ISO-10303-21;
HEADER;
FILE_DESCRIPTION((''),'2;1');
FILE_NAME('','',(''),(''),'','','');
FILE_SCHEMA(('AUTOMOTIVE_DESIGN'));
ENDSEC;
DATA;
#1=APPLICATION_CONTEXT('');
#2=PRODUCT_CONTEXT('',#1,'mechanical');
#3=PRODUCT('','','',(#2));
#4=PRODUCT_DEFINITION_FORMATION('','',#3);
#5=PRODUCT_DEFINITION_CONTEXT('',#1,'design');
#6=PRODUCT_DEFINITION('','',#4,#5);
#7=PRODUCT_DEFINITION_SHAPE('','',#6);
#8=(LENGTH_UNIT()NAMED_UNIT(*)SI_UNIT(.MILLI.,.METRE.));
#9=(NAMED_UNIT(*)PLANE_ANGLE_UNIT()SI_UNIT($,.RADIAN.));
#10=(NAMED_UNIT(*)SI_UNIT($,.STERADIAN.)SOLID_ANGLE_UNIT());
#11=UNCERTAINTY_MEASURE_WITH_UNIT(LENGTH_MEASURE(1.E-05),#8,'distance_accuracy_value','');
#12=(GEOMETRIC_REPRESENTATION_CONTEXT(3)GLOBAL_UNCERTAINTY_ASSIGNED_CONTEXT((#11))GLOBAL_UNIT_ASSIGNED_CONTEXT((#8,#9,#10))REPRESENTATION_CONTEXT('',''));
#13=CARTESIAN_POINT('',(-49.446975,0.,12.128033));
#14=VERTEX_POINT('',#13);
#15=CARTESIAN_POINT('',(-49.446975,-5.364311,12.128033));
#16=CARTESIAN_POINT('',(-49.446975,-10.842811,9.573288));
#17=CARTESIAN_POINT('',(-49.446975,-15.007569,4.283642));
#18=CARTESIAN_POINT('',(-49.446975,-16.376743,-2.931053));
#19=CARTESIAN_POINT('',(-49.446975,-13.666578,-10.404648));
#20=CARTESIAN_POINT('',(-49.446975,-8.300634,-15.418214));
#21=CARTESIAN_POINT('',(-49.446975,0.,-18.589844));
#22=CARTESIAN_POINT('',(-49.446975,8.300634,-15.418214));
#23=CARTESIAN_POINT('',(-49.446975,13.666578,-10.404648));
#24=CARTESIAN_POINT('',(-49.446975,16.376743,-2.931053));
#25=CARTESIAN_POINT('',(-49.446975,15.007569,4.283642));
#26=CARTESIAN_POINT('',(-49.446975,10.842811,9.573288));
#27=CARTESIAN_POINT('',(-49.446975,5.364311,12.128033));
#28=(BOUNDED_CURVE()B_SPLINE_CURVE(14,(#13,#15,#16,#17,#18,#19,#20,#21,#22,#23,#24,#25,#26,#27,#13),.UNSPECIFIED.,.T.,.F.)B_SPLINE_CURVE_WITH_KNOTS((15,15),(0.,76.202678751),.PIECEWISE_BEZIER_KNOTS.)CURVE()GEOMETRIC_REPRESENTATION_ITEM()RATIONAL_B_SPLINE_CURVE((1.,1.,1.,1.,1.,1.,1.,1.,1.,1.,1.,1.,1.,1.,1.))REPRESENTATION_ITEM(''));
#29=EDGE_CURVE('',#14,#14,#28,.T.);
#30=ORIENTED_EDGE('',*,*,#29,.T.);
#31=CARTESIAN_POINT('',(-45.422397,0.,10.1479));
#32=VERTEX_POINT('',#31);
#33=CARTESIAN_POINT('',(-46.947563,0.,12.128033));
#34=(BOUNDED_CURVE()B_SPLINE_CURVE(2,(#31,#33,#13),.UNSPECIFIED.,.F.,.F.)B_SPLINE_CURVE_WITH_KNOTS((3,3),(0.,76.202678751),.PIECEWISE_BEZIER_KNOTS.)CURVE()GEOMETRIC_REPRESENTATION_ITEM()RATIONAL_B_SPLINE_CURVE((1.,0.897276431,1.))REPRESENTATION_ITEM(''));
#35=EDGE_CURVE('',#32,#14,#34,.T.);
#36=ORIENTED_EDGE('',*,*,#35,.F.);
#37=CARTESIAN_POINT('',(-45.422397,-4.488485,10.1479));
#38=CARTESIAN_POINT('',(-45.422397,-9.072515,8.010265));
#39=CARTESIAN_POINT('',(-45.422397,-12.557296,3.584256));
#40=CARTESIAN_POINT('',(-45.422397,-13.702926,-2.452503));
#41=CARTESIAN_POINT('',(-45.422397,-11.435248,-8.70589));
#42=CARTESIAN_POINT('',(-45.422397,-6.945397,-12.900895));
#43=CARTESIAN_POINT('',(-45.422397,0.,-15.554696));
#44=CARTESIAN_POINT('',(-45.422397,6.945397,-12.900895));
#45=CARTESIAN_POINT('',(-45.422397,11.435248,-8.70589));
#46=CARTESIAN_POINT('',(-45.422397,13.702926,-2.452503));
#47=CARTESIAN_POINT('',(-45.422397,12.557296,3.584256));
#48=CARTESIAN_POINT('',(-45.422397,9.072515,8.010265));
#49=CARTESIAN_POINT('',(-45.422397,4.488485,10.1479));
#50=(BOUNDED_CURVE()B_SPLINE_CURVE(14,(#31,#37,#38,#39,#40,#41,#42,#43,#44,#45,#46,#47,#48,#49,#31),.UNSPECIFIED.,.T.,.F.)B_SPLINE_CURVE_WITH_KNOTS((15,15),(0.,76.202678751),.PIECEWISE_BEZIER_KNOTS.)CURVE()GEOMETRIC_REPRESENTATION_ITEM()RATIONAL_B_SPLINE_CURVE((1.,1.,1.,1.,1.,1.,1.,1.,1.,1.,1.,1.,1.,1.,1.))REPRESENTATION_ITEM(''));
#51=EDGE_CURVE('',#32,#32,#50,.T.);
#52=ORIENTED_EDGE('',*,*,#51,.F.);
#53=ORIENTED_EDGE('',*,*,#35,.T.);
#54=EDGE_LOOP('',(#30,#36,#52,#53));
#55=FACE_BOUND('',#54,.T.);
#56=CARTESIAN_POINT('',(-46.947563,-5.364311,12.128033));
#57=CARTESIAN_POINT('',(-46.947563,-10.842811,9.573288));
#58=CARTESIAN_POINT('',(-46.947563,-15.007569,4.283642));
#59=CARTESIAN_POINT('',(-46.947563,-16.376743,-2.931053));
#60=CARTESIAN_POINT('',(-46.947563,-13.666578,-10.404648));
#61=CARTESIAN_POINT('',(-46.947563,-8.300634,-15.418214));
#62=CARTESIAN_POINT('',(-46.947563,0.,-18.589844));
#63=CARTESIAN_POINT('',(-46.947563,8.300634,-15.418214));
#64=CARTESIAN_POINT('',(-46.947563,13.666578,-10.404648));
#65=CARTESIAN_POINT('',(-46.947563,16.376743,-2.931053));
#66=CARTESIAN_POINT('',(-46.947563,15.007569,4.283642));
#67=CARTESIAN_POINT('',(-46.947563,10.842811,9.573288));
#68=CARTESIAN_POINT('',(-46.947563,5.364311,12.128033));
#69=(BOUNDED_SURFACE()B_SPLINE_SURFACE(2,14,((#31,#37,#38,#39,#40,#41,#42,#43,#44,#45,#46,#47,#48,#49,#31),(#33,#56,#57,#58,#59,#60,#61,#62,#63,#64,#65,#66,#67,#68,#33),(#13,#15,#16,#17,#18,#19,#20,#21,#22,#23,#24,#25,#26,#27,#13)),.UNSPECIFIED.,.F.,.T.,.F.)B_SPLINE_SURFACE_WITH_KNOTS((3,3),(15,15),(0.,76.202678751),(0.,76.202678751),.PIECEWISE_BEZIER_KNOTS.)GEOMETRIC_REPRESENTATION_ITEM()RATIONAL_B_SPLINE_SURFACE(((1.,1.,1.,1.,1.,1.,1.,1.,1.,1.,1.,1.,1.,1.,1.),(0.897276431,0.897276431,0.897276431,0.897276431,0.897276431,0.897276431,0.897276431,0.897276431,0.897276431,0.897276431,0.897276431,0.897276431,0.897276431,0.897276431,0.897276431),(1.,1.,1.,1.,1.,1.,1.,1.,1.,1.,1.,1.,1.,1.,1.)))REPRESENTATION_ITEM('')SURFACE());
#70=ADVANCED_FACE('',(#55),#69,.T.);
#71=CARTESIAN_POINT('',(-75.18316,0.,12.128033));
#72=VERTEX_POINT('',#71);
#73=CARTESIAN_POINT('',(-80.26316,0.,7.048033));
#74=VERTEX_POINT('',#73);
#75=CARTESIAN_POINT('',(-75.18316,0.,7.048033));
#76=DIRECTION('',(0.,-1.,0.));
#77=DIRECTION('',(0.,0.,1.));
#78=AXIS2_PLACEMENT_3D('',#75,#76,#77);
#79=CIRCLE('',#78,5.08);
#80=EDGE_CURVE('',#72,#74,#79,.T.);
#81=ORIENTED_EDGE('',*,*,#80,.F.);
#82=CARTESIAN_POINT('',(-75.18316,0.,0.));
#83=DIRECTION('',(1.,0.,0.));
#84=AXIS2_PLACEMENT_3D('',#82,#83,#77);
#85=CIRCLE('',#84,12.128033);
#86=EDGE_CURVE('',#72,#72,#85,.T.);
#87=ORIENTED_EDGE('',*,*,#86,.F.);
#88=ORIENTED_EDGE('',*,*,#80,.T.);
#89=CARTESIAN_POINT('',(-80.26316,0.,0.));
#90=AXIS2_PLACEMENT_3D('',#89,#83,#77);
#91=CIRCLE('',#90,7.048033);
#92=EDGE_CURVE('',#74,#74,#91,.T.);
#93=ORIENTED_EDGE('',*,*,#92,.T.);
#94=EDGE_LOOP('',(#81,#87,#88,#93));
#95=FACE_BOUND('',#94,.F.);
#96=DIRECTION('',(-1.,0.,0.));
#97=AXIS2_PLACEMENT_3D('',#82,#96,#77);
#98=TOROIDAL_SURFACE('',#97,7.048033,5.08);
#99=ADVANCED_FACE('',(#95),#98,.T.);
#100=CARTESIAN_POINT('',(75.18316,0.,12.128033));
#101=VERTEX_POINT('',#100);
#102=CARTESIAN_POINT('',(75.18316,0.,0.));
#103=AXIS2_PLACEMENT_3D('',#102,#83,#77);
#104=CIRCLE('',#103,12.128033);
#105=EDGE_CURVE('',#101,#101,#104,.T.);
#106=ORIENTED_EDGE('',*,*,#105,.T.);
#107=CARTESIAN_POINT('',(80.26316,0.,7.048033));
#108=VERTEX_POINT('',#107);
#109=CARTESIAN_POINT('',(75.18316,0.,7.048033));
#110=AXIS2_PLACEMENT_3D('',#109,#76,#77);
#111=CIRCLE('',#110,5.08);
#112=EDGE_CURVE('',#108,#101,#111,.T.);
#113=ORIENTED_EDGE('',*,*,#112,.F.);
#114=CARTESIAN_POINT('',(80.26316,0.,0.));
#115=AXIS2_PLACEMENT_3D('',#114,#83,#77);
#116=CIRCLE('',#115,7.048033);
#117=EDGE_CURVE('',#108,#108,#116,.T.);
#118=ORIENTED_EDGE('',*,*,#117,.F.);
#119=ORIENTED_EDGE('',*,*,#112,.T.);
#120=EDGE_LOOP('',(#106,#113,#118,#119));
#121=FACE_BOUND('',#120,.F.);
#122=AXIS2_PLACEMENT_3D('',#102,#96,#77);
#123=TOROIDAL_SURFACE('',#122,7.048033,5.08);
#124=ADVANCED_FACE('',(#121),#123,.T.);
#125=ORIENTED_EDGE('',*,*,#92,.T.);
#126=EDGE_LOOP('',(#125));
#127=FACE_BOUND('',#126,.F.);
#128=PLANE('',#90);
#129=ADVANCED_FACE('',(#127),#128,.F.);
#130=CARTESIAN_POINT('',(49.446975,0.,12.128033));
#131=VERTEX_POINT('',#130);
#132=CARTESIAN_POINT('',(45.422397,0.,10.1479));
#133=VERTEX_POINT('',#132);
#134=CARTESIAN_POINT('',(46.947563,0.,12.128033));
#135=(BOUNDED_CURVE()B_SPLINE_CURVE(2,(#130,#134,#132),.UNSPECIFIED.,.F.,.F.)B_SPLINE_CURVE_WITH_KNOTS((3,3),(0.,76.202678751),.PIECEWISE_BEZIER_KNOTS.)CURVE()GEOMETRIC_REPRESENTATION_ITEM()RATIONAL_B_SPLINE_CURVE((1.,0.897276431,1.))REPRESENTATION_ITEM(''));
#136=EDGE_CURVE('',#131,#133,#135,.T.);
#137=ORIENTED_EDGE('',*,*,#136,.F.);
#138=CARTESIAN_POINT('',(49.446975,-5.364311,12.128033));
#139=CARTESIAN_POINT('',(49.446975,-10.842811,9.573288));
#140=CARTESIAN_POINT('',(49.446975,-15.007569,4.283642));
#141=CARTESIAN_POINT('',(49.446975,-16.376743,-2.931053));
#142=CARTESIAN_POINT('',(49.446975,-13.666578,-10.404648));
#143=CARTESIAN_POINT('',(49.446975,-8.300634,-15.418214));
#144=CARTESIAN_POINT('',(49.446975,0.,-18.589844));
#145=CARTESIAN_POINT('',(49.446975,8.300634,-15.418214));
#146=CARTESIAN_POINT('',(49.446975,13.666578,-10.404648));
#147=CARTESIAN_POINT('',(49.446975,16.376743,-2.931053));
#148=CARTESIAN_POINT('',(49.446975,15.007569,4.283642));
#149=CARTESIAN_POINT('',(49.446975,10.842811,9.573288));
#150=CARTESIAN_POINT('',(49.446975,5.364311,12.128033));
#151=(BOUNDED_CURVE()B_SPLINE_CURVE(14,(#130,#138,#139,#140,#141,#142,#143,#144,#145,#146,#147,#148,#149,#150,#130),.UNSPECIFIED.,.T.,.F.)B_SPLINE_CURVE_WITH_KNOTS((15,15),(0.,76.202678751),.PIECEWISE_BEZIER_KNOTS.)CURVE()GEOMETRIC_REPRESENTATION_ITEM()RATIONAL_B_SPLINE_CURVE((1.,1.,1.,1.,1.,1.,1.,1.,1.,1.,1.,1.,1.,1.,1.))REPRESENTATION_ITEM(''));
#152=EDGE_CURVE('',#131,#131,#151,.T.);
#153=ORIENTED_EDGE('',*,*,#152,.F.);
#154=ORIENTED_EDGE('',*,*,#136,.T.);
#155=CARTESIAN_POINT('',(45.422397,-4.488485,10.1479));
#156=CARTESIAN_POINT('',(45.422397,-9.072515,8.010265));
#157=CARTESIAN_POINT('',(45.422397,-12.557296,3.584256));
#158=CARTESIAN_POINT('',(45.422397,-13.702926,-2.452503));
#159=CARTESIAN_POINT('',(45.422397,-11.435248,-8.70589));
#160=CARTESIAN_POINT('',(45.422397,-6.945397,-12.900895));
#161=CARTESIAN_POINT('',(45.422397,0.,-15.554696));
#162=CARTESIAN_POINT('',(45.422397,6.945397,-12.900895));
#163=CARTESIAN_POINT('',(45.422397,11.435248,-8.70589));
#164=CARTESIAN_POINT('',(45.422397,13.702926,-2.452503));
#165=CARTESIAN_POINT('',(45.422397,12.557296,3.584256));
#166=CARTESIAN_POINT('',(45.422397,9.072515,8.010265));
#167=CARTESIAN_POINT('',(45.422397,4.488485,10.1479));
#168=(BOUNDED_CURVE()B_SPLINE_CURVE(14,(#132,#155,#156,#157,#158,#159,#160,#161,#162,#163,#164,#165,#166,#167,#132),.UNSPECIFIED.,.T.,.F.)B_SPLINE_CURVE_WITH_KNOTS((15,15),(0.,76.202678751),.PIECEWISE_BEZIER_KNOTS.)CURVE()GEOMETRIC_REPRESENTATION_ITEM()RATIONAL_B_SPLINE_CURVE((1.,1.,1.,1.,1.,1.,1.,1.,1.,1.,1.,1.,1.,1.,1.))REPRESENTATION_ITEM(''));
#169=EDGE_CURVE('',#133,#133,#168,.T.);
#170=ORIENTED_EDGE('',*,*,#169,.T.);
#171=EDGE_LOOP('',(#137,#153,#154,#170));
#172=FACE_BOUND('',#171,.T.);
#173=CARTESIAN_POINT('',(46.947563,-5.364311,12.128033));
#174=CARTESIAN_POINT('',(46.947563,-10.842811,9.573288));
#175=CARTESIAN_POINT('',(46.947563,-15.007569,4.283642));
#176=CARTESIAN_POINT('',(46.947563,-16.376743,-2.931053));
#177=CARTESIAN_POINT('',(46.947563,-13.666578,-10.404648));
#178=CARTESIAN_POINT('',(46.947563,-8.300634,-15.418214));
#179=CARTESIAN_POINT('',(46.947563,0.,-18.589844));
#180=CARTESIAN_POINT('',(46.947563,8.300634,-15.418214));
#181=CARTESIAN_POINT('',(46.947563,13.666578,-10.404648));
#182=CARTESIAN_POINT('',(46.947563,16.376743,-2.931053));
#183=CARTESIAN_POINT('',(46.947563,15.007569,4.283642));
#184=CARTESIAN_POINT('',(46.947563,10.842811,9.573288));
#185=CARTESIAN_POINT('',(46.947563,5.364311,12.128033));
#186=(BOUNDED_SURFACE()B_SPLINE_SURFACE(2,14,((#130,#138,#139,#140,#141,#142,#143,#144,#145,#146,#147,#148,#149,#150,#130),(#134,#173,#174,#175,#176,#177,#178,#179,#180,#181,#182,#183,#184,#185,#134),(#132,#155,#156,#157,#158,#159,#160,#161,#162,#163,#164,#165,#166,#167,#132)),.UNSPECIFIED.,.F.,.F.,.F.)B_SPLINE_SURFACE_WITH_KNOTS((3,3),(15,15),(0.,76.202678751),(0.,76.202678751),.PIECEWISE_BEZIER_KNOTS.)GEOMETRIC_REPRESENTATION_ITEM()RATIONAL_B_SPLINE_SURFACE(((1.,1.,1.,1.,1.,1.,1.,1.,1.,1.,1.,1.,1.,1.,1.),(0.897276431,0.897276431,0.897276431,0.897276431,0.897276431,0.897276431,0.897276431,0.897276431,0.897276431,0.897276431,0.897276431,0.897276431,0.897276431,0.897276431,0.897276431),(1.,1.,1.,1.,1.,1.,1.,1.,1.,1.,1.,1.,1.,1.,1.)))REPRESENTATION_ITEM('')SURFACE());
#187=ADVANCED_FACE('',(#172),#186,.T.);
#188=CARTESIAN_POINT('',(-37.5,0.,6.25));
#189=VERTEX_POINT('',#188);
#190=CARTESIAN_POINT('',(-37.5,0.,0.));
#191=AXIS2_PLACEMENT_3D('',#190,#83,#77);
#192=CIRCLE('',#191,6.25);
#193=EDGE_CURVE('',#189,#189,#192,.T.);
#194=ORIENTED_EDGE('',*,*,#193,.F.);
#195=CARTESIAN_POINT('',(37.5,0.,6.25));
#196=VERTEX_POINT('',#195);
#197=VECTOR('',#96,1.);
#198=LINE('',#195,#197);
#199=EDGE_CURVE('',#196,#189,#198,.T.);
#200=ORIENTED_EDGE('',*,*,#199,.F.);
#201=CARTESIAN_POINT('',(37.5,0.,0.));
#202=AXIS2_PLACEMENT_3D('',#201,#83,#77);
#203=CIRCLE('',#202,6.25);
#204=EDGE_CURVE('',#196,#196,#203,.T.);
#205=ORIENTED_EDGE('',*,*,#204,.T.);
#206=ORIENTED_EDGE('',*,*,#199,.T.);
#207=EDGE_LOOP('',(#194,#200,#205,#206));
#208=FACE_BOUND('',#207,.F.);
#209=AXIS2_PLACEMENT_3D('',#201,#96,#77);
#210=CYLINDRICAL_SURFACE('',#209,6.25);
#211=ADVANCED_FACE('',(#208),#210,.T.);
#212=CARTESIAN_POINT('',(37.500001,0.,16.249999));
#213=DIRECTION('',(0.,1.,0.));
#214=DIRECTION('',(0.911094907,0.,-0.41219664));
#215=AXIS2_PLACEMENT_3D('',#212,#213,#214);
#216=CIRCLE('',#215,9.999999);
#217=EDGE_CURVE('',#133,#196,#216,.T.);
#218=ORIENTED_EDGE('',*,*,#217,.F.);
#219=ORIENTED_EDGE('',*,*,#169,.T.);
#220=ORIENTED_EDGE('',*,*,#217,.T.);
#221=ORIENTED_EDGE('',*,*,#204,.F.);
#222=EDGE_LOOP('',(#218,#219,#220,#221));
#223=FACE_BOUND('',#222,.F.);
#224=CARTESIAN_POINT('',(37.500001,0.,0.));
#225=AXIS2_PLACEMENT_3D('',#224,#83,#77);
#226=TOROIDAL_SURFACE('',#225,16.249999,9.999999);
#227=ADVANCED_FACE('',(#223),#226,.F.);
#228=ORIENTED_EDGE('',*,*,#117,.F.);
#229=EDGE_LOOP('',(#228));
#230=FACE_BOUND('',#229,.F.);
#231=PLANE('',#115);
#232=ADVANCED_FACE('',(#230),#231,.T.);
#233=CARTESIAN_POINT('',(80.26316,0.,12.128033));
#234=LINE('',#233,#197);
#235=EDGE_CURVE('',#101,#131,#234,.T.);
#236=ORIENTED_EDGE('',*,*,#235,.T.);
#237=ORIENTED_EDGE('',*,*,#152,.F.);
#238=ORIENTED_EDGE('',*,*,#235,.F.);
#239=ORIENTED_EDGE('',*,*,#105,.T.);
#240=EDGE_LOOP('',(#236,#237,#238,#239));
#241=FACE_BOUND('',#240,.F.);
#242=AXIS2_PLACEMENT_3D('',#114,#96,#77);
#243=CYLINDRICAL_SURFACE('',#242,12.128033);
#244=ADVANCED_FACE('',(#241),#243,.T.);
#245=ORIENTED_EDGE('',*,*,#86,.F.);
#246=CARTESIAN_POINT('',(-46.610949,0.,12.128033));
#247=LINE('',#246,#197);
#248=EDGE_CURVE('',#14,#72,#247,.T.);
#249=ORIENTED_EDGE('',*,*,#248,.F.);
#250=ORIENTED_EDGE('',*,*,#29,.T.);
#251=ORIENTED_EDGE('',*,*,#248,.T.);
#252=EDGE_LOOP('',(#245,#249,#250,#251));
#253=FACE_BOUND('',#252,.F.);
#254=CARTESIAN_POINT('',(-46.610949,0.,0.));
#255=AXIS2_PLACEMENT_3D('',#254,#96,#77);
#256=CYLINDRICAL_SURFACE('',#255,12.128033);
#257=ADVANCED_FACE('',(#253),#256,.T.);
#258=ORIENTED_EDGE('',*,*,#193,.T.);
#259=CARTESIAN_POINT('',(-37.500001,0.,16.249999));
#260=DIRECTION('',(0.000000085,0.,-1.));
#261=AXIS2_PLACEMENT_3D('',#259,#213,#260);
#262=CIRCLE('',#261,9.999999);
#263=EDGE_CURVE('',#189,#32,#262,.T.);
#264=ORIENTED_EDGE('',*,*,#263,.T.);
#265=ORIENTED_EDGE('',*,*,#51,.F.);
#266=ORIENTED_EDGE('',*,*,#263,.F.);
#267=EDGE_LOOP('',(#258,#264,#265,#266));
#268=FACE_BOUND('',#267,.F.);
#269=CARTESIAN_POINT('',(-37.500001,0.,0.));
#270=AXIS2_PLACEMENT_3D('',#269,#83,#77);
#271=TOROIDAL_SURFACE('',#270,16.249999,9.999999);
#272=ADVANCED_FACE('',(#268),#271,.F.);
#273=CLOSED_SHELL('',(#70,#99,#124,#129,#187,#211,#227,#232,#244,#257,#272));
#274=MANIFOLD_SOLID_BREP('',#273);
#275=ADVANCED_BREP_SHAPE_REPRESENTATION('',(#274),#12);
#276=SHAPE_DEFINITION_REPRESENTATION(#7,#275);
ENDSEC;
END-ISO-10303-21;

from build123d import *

# Parameters (mm, degrees)
F2_R = 5.08


with BuildPart() as f1:
    # F0 (on Front) → F1 (revolve)
    with BuildSketch(Plane.XZ):
        with BuildLine():
            Line((37.5, 6.25), (0, 6.25))
            Line((0, 6.25), (-37.5, 6.25))
            ThreePointArc((-37.5, 6.25), (-42.92127, 7.847034), (-46.610949, 12.128033))
            Line((-46.610949, 12.128033), (-80.26316, 12.128033))
            Line((-80.26316, 12.128033), (-80.26316, 0))
            Line((-80.26316, 0), (80.26316, 0))
            Line((80.26316, 0), (80.26316, 12.128033))
            Line((80.26316, 12.128033), (46.610949, 12.128033))
            ThreePointArc((46.610949, 12.128033), (42.92127, 7.847034), (37.5, 6.25))
        make_face()
    revolve(axis=Axis((0, 0, 0), (1, 0, 0)))

    # F2
    f2_edges = [f1.edges().sort_by_distance(p)[0] for p in [
        (-37.5, 0, -6.25),
        (-46.610949, 0, -12.128033),
        (-42.92127, 0, 7.847034),
        (46.610949, 0, -12.128033),
        (37.5, 0, -6.25),
        (-80.26316, 0, -12.128033),
        (80.26316, 0, -12.128033),
    ]]
    fillet(f2_edges, radius=F2_R)


solid = f1.part
